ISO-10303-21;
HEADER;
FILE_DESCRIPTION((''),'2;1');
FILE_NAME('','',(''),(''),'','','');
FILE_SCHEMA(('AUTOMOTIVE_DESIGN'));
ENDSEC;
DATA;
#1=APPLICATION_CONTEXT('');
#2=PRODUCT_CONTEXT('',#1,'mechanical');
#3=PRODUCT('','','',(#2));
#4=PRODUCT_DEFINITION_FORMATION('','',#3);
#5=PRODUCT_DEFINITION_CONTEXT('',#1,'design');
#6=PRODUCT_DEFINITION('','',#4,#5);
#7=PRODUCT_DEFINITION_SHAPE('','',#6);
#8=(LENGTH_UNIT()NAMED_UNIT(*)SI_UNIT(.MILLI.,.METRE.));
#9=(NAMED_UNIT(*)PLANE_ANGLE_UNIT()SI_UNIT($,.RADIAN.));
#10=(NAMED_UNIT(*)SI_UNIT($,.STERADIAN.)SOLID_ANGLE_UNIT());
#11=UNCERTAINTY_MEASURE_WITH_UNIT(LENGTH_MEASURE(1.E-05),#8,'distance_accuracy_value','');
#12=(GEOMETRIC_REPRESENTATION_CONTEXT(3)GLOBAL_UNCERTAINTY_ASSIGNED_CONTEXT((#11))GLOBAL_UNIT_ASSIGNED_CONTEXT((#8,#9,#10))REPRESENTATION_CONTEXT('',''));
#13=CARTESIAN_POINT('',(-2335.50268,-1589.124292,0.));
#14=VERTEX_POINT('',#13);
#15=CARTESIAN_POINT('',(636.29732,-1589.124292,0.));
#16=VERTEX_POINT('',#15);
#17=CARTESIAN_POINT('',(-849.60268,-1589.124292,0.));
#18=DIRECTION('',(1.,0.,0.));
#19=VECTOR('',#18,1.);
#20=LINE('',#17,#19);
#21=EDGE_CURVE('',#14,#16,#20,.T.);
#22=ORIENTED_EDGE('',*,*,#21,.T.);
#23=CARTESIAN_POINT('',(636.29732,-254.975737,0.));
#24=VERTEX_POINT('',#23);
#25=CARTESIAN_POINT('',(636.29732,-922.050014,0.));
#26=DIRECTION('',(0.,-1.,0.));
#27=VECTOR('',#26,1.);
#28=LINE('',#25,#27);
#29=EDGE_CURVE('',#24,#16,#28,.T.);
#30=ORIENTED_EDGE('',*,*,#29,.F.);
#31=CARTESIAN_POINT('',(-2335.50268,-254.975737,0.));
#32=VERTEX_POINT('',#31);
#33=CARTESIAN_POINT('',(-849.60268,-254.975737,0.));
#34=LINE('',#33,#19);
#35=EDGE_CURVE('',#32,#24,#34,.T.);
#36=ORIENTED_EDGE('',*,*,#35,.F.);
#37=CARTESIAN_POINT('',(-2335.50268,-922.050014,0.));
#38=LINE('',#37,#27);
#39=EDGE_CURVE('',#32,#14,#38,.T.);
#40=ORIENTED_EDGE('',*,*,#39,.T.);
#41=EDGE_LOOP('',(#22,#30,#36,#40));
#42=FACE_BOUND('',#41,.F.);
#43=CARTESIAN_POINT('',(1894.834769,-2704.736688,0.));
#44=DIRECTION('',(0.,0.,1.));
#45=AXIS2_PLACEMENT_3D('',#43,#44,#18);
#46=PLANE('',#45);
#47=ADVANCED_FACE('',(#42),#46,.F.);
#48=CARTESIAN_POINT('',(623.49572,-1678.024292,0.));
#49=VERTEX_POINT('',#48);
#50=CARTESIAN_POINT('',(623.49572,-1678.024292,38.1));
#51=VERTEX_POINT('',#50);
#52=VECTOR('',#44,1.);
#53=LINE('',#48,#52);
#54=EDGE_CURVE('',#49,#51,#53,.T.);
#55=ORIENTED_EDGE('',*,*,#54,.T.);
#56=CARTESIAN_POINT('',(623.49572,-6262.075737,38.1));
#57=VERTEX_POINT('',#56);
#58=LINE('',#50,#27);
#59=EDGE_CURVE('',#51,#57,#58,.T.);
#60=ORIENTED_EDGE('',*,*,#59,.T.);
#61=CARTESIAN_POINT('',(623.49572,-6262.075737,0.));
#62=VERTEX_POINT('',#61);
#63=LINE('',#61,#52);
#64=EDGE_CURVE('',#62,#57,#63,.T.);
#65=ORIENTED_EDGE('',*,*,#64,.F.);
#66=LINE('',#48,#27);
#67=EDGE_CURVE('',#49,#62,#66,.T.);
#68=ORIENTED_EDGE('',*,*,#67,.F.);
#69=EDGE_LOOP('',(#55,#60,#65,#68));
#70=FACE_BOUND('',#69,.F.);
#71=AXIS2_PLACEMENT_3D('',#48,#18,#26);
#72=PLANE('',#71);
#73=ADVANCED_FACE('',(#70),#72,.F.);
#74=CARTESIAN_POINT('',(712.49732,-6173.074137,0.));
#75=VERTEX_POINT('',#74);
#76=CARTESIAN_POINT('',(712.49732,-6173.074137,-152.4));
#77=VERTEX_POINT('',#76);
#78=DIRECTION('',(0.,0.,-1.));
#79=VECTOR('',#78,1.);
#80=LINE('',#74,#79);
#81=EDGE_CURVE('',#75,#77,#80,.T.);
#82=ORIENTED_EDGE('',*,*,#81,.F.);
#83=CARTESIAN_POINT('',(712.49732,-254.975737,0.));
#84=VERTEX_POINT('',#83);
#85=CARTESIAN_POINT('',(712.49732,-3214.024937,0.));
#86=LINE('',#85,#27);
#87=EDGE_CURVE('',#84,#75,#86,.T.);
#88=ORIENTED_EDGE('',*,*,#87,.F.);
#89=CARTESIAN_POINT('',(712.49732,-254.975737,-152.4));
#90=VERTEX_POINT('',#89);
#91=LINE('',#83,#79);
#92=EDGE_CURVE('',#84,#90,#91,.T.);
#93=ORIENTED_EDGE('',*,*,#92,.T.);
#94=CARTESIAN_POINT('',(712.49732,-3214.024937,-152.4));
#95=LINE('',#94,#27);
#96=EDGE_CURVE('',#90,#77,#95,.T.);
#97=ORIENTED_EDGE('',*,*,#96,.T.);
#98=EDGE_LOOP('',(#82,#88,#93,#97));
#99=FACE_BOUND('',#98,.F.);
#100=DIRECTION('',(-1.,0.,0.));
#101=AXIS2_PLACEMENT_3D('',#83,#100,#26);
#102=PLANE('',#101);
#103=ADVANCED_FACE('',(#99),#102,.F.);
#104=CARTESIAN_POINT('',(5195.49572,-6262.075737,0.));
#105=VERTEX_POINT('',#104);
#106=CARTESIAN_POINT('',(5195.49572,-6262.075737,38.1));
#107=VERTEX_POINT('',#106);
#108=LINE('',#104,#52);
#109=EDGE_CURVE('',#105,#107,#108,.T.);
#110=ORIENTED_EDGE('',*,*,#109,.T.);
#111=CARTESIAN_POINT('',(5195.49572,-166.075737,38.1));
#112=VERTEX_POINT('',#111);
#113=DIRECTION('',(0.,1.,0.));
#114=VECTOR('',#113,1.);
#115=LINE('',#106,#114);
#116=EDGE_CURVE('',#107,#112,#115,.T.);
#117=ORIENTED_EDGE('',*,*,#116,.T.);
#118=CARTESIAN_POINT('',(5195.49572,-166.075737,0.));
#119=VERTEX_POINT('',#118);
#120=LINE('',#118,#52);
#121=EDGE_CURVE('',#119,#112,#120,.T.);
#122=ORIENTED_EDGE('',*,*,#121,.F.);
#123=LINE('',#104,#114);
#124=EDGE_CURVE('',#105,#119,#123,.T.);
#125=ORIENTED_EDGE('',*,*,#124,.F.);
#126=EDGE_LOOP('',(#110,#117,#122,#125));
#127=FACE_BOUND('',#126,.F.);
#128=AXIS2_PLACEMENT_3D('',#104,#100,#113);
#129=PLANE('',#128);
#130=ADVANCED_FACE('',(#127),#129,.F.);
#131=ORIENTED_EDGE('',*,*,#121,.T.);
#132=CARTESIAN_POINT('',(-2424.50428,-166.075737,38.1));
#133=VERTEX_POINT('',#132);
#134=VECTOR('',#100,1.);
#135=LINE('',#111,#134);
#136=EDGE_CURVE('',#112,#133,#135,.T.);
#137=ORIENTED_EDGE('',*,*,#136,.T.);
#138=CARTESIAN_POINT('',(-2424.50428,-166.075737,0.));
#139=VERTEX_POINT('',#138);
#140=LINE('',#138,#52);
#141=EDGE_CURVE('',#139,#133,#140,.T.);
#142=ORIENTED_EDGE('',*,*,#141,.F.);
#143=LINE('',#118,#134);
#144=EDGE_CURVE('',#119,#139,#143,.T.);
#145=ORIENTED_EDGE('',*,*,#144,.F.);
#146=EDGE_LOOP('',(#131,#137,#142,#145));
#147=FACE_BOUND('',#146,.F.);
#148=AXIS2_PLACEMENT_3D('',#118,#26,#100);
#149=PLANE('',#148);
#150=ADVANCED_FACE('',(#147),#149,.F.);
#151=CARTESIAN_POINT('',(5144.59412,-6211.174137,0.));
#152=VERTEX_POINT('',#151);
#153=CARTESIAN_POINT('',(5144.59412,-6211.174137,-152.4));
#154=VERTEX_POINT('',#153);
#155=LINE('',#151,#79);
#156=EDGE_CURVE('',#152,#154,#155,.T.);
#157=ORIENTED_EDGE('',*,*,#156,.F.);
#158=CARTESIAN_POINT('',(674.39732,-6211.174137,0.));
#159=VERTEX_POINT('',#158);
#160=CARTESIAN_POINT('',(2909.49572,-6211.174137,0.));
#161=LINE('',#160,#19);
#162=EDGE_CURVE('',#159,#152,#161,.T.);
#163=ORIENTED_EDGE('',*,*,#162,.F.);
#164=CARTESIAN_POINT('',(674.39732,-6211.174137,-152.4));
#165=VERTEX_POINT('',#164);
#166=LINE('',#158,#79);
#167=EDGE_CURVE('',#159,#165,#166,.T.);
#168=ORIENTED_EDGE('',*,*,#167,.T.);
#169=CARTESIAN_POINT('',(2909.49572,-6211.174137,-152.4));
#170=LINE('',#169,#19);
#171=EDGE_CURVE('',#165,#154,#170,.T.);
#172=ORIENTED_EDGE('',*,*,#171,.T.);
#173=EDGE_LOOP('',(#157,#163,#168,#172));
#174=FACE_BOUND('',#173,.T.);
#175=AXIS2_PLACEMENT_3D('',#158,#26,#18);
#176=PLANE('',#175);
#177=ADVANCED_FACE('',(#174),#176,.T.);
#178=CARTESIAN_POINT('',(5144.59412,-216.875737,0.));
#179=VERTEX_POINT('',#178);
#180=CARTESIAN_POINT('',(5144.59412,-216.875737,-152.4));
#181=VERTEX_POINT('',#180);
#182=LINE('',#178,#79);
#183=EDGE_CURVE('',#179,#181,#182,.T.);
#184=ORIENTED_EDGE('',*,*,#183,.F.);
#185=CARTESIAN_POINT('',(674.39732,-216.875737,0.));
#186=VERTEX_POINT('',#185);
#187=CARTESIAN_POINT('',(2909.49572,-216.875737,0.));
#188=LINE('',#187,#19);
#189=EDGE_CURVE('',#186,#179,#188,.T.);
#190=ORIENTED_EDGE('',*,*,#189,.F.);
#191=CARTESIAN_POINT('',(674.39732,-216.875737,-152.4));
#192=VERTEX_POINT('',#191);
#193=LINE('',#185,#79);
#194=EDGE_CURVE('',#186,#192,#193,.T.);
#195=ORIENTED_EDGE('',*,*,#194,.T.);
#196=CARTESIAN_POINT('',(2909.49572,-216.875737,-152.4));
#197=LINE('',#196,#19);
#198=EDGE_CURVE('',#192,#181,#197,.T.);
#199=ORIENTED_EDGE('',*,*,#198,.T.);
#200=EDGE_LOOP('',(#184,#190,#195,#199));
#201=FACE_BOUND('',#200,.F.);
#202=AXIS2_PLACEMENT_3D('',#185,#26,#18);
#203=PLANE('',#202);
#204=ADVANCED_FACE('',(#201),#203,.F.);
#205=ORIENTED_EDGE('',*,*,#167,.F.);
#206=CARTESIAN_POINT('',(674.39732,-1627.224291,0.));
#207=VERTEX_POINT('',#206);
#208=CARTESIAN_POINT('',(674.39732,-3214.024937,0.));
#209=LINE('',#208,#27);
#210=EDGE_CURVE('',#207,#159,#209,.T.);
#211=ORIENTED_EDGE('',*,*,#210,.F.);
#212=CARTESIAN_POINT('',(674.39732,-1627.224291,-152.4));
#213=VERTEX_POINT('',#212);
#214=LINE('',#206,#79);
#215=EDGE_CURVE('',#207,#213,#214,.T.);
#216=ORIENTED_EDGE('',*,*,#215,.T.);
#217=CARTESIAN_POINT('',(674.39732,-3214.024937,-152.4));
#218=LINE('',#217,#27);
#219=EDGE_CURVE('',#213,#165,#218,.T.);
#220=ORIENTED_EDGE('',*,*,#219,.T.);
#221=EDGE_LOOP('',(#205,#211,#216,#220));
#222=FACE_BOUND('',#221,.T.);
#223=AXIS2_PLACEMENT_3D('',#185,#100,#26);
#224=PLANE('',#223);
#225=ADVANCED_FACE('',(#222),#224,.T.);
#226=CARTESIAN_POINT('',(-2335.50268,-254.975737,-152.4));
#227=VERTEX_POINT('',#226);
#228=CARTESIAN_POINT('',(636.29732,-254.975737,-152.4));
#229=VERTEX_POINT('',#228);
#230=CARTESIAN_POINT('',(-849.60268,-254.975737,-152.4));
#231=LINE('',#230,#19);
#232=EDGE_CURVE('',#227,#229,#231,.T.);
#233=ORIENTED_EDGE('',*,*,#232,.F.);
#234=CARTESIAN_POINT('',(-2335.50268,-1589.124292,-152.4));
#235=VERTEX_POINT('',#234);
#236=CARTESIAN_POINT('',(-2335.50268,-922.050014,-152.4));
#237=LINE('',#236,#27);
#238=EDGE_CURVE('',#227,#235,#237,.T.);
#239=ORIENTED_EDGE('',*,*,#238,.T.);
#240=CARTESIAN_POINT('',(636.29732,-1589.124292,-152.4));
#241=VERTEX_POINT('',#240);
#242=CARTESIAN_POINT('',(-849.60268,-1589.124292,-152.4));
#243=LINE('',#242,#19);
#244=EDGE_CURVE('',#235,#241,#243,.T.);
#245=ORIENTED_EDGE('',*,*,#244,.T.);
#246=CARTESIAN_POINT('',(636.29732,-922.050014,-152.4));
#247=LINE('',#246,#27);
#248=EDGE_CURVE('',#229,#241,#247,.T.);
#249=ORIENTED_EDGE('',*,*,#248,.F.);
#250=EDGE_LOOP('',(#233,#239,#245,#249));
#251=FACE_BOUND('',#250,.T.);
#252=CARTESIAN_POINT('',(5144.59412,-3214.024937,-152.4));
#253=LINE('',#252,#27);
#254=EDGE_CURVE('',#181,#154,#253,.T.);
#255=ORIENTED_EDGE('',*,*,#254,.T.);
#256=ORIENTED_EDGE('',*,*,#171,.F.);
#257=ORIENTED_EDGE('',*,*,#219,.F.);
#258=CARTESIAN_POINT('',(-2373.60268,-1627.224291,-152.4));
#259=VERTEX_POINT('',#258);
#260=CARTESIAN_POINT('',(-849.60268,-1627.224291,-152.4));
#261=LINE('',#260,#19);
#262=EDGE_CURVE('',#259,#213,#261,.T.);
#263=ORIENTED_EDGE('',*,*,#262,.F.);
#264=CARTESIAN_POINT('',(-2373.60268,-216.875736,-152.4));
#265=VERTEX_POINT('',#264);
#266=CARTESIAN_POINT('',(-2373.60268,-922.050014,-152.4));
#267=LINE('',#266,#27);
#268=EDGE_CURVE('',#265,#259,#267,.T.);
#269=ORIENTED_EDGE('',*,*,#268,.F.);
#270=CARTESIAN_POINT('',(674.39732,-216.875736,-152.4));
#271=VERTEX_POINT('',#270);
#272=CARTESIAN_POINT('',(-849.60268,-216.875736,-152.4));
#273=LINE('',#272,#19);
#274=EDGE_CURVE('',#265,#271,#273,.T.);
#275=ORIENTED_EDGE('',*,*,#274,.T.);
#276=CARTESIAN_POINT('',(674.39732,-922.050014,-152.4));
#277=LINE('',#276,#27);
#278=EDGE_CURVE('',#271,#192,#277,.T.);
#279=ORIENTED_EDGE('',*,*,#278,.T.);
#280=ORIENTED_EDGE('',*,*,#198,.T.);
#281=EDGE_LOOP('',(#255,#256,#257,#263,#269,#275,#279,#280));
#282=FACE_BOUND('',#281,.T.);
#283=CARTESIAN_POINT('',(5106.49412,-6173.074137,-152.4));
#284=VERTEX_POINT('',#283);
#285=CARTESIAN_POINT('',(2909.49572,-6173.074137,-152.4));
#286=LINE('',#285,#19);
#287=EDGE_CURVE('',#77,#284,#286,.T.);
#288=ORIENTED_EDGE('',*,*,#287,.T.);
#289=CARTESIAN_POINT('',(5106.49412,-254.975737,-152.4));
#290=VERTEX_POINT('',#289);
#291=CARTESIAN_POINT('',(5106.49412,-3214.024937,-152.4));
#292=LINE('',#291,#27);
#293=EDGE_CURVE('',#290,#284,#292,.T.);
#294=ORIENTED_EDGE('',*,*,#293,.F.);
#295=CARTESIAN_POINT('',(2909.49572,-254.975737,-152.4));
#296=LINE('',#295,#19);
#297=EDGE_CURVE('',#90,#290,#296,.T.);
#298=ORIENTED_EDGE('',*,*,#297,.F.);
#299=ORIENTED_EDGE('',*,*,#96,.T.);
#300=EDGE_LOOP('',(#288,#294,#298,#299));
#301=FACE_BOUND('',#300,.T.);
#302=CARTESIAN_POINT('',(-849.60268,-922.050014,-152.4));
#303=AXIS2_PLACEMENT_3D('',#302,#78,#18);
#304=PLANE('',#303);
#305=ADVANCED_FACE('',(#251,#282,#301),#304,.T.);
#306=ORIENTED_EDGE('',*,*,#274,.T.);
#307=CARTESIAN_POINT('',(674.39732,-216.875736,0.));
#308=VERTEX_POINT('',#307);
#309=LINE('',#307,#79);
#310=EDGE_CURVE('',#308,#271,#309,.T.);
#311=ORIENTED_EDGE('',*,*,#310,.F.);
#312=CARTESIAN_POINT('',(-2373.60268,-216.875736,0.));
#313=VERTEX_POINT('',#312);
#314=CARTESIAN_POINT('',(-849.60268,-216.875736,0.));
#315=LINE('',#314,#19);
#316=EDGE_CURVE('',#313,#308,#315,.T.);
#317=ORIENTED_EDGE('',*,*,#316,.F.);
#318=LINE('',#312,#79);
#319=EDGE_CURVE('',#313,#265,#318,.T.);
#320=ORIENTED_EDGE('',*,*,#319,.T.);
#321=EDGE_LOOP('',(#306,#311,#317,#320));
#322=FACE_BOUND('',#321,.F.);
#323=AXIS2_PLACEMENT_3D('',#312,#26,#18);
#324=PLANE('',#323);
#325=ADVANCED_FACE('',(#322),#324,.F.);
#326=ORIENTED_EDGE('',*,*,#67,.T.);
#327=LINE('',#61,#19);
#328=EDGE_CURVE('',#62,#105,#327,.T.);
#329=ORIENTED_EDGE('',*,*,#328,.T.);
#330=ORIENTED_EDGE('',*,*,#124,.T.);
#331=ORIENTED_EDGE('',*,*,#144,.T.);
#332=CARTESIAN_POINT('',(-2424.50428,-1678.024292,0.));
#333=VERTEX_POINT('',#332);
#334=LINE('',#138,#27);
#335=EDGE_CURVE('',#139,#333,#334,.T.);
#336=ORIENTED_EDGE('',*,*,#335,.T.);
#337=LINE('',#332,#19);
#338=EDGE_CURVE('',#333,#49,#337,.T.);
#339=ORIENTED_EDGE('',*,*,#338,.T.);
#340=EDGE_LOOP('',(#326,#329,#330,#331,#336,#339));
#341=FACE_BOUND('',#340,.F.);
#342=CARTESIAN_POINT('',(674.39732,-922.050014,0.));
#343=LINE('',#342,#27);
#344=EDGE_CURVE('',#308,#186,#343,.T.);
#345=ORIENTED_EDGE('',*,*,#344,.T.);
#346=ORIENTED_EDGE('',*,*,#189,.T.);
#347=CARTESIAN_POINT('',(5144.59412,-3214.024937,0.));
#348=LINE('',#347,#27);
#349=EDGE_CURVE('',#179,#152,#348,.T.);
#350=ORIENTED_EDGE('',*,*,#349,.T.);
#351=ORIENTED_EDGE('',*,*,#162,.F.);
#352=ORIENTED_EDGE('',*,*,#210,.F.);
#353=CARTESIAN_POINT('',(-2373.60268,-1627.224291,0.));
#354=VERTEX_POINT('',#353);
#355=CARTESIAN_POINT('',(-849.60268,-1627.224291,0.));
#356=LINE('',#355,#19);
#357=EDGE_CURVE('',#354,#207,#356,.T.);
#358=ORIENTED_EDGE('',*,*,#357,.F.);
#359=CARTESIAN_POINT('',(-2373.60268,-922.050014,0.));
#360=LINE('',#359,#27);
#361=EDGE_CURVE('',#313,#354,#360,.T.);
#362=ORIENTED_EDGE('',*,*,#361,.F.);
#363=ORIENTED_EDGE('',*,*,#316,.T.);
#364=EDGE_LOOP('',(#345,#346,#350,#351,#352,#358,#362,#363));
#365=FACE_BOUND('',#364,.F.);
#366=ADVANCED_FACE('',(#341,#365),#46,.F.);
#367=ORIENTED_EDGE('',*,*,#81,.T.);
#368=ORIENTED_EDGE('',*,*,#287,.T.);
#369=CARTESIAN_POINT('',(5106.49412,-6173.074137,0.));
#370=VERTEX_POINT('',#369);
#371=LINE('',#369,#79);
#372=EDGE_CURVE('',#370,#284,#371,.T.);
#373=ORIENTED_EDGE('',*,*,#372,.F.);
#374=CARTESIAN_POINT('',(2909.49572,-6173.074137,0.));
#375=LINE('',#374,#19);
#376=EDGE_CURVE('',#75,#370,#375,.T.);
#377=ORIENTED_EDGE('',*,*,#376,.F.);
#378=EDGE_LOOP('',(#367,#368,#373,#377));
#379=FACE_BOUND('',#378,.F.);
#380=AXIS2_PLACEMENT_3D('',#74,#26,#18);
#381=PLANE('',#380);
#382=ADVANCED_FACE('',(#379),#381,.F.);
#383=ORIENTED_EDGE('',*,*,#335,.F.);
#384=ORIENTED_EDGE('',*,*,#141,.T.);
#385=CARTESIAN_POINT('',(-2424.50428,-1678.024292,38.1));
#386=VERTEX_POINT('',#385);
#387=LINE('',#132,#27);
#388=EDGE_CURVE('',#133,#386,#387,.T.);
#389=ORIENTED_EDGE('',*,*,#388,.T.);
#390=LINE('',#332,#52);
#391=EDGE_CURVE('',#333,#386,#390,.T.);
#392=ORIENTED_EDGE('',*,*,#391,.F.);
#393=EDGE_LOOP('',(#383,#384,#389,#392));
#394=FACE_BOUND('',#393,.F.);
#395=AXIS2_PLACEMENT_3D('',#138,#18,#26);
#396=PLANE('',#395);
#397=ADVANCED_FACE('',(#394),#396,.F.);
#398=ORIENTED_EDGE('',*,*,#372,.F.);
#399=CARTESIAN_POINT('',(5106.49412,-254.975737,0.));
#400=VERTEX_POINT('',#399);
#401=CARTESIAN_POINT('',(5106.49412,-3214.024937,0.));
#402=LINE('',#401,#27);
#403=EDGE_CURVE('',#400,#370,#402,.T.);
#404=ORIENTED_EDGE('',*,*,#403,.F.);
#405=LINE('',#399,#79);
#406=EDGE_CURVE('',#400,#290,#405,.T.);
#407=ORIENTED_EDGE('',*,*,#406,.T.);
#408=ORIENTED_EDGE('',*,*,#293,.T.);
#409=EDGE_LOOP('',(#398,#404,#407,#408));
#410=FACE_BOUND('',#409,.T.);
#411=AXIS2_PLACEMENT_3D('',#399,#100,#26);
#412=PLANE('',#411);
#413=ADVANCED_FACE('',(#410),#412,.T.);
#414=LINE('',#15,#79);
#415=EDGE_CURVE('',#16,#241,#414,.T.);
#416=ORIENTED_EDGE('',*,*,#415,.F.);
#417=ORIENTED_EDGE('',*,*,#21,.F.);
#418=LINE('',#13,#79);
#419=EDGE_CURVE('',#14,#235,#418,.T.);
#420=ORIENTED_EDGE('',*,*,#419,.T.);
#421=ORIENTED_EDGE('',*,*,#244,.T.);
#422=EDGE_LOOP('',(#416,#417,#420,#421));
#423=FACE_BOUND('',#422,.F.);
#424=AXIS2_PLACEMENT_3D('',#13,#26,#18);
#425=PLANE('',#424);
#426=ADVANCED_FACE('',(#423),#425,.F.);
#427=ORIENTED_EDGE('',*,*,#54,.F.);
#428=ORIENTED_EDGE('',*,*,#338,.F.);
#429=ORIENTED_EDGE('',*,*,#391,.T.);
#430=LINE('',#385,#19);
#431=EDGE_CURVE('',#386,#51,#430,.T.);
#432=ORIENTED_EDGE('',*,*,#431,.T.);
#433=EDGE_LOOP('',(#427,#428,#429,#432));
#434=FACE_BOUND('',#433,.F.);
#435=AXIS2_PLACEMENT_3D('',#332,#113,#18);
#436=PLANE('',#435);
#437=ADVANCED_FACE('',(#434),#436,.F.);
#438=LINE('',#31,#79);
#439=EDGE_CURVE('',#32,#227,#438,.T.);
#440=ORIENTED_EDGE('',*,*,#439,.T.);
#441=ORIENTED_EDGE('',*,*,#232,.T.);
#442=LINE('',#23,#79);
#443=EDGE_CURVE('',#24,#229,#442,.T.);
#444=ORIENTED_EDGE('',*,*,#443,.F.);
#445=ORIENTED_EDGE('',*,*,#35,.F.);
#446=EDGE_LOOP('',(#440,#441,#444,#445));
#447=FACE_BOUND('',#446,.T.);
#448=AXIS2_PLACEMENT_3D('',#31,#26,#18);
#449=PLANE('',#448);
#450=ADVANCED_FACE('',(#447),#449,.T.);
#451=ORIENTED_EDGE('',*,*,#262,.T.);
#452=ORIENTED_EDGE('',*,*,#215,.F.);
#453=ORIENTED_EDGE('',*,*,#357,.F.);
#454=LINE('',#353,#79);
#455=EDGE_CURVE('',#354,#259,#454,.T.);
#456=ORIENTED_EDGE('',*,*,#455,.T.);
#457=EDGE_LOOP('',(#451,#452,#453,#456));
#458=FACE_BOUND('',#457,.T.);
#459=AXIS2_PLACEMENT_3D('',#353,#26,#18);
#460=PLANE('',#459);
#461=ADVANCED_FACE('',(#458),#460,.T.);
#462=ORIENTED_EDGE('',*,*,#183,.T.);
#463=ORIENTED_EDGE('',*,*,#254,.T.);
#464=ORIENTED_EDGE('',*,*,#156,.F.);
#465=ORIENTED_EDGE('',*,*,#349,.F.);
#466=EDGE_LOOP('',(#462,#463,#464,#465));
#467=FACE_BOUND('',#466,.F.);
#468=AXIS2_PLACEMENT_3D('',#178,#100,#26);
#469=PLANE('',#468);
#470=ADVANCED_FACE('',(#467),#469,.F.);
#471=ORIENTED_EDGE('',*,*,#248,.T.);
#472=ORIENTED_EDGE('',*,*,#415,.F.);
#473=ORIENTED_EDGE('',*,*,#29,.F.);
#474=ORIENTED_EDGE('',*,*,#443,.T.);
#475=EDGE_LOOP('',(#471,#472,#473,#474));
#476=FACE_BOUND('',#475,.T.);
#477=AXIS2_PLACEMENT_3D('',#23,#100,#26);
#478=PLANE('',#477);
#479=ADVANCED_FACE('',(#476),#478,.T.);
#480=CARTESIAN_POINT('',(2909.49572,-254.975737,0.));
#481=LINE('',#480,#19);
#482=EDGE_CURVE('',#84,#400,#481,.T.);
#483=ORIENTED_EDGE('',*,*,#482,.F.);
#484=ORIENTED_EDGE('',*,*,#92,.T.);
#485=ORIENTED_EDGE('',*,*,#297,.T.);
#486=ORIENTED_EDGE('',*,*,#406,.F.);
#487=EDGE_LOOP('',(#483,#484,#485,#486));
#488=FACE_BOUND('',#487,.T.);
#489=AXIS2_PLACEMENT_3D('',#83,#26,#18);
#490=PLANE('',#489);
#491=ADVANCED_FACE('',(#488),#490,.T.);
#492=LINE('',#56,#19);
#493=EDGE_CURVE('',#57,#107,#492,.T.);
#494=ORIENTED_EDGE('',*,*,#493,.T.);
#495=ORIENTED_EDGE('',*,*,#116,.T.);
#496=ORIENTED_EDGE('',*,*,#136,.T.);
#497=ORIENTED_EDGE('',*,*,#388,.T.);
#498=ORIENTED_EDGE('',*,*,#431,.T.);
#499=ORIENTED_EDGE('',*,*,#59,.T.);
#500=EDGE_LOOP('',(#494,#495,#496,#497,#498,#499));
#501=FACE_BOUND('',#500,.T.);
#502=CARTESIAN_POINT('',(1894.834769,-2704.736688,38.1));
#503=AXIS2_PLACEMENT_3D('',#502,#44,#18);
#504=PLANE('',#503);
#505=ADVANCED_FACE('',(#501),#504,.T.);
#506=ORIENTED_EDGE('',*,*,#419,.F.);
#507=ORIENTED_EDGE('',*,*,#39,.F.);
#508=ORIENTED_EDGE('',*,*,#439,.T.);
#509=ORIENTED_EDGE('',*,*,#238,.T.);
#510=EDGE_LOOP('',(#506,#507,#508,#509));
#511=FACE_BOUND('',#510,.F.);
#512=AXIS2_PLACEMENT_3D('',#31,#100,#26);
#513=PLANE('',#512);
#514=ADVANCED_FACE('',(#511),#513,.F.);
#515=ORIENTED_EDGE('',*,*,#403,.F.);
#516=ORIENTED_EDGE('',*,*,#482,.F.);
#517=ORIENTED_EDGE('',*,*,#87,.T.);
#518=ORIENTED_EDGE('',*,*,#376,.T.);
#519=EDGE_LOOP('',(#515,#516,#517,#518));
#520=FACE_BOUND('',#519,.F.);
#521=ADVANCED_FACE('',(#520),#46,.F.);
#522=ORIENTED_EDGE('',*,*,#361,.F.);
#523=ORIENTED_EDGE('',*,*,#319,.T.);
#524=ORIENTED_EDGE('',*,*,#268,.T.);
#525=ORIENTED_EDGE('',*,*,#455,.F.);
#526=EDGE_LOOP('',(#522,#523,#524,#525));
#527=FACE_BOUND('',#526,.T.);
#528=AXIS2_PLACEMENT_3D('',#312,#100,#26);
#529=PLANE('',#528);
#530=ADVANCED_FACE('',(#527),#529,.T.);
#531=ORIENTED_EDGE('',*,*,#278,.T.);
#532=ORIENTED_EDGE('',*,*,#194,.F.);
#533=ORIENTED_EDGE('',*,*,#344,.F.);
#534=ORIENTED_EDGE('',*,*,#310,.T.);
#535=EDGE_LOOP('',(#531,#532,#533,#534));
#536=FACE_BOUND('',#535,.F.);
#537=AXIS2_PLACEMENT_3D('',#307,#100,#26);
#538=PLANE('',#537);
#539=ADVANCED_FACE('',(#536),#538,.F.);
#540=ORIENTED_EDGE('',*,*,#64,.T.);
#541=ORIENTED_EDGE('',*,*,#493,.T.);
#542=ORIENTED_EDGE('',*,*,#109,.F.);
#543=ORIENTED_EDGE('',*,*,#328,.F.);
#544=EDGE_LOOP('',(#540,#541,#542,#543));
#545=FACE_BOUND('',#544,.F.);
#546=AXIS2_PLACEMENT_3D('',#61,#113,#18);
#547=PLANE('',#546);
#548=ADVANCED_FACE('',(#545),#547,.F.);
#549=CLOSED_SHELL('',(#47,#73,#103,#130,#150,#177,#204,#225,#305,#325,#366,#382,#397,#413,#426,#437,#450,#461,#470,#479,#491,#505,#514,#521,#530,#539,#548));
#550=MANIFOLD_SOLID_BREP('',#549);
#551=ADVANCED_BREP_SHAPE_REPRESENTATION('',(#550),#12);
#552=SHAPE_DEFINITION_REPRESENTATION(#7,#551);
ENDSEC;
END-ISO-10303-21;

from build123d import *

# Parameters (mm, degrees)
F1_DEPTH = 38.1
F2_W     = 4470.1968
F2_H     = 5994.2984
F2_W_2   = 4393.9968
F2_H_2   = 5918.0984
F3_DEPTH = 152.4
F4_W     = 3048
F4_H     = 1410.348555
F4_W_2   = 2971.8
F4_H_2   = 1334.148555
F5_DEPTH = 152.4


with BuildPart() as f1:
    # F0 (on Top) → F1 (new body)
    with BuildSketch(Plane.XY):
        Polygon((5195.49572, -166.075737), (623.49572, -166.075737), (-2424.50428, -166.075737), (-2424.50428, -1678.024292), (623.49572, -1678.024292), (623.49572, -6262.075737), (5195.49572, -6262.075737), align=None)
    extrude(amount=F1_DEPTH)

    # F2 (on face) → F3 (join)
    with BuildSketch(Plane(origin=(0, 0, 0), x_dir=(1, 0, 0), z_dir=(0, 0, -1))):
        with Locations((2909.49572, 3214.024937)):
            Rectangle(F2_W, F2_H)
        with Locations((2909.49572, 3214.024937)):
            Rectangle(F2_W_2, F2_H_2, mode=Mode.SUBTRACT)
    extrude(amount=F3_DEPTH)

    # F4 (on face) → F5 (join, through all)
    with BuildSketch(Plane(origin=(0, 0, 0), x_dir=(1, 0, 0), z_dir=(0, 0, -1))):
        with Locations((-849.60268, 922.050014)):
            Rectangle(F4_W, F4_H)
        with Locations((-849.60268, 922.050014)):
            Rectangle(F4_W_2, F4_H_2, mode=Mode.SUBTRACT)
    extrude(amount=F5_DEPTH)


solid = f1.part
